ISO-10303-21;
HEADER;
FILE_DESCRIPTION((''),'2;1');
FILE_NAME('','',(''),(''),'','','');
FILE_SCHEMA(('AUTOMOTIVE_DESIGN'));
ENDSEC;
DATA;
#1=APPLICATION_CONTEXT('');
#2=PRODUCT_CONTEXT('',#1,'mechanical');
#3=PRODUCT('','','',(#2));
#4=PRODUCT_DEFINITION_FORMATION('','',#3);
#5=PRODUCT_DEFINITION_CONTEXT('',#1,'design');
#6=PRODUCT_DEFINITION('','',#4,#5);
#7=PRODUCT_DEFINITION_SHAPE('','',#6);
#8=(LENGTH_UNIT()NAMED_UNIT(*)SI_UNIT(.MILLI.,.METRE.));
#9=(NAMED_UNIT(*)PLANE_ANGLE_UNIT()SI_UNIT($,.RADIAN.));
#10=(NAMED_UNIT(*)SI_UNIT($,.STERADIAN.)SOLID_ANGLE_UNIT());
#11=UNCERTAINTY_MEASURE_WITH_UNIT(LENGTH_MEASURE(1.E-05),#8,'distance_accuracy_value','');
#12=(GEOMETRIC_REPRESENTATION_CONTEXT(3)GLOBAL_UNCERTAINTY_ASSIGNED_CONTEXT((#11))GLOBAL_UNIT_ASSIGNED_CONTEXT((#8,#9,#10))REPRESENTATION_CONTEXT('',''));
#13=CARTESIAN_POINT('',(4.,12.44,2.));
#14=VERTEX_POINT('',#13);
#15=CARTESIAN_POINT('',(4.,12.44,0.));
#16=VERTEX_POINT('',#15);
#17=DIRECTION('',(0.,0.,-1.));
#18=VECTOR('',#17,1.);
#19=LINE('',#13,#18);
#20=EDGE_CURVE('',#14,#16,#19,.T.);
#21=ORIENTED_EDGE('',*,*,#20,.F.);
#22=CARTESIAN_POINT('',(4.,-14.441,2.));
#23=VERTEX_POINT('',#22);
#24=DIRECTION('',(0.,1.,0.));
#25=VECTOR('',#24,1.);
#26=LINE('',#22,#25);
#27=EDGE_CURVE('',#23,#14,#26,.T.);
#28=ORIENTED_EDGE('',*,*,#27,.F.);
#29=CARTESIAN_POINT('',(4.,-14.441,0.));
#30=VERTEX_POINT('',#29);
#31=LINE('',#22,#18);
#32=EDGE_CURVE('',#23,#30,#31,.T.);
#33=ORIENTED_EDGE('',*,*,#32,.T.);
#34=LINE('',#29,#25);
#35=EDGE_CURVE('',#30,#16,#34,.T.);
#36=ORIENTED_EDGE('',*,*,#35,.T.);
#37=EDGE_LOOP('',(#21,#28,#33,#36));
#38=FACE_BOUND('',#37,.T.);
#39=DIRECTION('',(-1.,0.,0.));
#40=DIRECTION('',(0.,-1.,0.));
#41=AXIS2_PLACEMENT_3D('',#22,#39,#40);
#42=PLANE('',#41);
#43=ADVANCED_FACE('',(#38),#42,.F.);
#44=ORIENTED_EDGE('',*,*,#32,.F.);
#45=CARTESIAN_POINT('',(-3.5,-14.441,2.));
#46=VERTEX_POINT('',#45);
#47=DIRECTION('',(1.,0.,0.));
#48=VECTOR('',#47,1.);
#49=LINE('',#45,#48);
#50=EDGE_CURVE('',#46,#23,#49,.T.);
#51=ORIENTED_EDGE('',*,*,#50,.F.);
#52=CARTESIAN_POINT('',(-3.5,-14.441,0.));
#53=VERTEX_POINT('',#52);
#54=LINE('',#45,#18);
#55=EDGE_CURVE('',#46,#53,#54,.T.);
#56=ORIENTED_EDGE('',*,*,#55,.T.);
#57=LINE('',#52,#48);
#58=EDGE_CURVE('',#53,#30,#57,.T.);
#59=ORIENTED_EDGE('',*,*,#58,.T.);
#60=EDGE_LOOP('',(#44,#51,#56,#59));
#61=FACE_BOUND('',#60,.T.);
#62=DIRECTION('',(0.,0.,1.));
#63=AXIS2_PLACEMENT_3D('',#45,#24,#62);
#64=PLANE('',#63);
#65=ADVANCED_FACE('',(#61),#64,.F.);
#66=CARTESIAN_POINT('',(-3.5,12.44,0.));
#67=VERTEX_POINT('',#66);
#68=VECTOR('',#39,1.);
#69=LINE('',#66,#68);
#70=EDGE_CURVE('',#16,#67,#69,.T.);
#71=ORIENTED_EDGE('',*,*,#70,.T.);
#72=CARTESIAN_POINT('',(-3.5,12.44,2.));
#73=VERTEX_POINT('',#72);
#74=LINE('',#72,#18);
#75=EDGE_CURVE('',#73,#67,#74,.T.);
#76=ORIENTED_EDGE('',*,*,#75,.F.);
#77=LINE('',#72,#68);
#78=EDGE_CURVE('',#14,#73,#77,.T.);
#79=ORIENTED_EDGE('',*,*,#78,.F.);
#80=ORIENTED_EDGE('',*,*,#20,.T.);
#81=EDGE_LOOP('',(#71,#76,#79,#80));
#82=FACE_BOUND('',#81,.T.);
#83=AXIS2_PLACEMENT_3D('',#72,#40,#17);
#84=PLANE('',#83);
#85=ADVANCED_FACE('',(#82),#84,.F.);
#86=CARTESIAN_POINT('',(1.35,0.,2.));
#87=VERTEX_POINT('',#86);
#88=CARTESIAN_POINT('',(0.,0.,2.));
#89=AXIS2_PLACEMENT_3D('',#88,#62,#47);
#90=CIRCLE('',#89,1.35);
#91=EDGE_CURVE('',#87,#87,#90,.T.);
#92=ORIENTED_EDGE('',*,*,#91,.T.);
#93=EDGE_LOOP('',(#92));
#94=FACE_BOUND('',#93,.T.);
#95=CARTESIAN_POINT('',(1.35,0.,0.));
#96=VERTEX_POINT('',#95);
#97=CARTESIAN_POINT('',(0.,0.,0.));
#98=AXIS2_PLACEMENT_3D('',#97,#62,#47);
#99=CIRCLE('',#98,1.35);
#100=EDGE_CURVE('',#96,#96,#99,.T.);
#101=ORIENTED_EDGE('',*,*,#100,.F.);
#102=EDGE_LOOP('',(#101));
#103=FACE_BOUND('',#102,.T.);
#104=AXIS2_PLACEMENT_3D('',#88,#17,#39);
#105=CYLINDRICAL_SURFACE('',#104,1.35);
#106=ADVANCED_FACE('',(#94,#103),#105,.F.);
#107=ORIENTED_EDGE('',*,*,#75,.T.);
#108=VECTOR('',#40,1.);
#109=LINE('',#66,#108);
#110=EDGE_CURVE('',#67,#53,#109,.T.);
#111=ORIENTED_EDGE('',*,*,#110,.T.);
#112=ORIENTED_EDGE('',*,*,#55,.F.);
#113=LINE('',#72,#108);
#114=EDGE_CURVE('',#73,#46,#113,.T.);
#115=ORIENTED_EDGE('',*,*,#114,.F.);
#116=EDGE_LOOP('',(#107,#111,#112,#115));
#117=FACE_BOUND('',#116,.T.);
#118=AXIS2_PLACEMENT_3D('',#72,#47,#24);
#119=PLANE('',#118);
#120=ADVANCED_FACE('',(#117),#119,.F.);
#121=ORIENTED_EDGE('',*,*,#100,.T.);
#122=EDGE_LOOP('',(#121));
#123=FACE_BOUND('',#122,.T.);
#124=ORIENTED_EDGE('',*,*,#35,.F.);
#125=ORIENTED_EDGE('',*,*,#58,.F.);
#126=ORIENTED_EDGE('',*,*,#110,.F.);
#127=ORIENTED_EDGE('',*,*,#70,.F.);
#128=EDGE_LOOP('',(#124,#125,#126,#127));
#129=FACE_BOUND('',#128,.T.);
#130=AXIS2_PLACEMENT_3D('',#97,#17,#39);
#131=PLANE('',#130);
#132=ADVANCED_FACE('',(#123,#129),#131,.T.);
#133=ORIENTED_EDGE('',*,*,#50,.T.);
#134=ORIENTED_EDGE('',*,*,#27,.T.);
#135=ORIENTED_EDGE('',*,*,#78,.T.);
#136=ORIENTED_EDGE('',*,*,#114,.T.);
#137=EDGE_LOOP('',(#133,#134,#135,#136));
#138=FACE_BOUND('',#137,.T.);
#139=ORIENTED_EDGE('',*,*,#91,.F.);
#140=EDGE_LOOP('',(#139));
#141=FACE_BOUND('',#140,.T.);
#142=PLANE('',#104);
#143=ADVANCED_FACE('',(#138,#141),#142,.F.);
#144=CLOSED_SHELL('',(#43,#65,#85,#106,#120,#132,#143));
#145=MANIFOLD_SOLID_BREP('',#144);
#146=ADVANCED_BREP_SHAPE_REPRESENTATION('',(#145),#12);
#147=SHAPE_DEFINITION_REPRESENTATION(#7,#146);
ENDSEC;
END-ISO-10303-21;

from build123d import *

# Parameters (mm, degrees)
SKETCH1_W           = 7.5
SKETCH1_H           = 26.881
SKETCH1_R           = 1.35
BOSS_EXTRUDE1_DEPTH = 2


with BuildPart() as part:
    # Sketch1 → Boss-Extrude1 (new body)
    with BuildSketch(Plane.XY):
        with Locations((0.25, -1.0005)):
            Rectangle(SKETCH1_W, SKETCH1_H)
        Circle(SKETCH1_R, mode=Mode.SUBTRACT)
    extrude(amount=BOSS_EXTRUDE1_DEPTH)


solid = part.part
